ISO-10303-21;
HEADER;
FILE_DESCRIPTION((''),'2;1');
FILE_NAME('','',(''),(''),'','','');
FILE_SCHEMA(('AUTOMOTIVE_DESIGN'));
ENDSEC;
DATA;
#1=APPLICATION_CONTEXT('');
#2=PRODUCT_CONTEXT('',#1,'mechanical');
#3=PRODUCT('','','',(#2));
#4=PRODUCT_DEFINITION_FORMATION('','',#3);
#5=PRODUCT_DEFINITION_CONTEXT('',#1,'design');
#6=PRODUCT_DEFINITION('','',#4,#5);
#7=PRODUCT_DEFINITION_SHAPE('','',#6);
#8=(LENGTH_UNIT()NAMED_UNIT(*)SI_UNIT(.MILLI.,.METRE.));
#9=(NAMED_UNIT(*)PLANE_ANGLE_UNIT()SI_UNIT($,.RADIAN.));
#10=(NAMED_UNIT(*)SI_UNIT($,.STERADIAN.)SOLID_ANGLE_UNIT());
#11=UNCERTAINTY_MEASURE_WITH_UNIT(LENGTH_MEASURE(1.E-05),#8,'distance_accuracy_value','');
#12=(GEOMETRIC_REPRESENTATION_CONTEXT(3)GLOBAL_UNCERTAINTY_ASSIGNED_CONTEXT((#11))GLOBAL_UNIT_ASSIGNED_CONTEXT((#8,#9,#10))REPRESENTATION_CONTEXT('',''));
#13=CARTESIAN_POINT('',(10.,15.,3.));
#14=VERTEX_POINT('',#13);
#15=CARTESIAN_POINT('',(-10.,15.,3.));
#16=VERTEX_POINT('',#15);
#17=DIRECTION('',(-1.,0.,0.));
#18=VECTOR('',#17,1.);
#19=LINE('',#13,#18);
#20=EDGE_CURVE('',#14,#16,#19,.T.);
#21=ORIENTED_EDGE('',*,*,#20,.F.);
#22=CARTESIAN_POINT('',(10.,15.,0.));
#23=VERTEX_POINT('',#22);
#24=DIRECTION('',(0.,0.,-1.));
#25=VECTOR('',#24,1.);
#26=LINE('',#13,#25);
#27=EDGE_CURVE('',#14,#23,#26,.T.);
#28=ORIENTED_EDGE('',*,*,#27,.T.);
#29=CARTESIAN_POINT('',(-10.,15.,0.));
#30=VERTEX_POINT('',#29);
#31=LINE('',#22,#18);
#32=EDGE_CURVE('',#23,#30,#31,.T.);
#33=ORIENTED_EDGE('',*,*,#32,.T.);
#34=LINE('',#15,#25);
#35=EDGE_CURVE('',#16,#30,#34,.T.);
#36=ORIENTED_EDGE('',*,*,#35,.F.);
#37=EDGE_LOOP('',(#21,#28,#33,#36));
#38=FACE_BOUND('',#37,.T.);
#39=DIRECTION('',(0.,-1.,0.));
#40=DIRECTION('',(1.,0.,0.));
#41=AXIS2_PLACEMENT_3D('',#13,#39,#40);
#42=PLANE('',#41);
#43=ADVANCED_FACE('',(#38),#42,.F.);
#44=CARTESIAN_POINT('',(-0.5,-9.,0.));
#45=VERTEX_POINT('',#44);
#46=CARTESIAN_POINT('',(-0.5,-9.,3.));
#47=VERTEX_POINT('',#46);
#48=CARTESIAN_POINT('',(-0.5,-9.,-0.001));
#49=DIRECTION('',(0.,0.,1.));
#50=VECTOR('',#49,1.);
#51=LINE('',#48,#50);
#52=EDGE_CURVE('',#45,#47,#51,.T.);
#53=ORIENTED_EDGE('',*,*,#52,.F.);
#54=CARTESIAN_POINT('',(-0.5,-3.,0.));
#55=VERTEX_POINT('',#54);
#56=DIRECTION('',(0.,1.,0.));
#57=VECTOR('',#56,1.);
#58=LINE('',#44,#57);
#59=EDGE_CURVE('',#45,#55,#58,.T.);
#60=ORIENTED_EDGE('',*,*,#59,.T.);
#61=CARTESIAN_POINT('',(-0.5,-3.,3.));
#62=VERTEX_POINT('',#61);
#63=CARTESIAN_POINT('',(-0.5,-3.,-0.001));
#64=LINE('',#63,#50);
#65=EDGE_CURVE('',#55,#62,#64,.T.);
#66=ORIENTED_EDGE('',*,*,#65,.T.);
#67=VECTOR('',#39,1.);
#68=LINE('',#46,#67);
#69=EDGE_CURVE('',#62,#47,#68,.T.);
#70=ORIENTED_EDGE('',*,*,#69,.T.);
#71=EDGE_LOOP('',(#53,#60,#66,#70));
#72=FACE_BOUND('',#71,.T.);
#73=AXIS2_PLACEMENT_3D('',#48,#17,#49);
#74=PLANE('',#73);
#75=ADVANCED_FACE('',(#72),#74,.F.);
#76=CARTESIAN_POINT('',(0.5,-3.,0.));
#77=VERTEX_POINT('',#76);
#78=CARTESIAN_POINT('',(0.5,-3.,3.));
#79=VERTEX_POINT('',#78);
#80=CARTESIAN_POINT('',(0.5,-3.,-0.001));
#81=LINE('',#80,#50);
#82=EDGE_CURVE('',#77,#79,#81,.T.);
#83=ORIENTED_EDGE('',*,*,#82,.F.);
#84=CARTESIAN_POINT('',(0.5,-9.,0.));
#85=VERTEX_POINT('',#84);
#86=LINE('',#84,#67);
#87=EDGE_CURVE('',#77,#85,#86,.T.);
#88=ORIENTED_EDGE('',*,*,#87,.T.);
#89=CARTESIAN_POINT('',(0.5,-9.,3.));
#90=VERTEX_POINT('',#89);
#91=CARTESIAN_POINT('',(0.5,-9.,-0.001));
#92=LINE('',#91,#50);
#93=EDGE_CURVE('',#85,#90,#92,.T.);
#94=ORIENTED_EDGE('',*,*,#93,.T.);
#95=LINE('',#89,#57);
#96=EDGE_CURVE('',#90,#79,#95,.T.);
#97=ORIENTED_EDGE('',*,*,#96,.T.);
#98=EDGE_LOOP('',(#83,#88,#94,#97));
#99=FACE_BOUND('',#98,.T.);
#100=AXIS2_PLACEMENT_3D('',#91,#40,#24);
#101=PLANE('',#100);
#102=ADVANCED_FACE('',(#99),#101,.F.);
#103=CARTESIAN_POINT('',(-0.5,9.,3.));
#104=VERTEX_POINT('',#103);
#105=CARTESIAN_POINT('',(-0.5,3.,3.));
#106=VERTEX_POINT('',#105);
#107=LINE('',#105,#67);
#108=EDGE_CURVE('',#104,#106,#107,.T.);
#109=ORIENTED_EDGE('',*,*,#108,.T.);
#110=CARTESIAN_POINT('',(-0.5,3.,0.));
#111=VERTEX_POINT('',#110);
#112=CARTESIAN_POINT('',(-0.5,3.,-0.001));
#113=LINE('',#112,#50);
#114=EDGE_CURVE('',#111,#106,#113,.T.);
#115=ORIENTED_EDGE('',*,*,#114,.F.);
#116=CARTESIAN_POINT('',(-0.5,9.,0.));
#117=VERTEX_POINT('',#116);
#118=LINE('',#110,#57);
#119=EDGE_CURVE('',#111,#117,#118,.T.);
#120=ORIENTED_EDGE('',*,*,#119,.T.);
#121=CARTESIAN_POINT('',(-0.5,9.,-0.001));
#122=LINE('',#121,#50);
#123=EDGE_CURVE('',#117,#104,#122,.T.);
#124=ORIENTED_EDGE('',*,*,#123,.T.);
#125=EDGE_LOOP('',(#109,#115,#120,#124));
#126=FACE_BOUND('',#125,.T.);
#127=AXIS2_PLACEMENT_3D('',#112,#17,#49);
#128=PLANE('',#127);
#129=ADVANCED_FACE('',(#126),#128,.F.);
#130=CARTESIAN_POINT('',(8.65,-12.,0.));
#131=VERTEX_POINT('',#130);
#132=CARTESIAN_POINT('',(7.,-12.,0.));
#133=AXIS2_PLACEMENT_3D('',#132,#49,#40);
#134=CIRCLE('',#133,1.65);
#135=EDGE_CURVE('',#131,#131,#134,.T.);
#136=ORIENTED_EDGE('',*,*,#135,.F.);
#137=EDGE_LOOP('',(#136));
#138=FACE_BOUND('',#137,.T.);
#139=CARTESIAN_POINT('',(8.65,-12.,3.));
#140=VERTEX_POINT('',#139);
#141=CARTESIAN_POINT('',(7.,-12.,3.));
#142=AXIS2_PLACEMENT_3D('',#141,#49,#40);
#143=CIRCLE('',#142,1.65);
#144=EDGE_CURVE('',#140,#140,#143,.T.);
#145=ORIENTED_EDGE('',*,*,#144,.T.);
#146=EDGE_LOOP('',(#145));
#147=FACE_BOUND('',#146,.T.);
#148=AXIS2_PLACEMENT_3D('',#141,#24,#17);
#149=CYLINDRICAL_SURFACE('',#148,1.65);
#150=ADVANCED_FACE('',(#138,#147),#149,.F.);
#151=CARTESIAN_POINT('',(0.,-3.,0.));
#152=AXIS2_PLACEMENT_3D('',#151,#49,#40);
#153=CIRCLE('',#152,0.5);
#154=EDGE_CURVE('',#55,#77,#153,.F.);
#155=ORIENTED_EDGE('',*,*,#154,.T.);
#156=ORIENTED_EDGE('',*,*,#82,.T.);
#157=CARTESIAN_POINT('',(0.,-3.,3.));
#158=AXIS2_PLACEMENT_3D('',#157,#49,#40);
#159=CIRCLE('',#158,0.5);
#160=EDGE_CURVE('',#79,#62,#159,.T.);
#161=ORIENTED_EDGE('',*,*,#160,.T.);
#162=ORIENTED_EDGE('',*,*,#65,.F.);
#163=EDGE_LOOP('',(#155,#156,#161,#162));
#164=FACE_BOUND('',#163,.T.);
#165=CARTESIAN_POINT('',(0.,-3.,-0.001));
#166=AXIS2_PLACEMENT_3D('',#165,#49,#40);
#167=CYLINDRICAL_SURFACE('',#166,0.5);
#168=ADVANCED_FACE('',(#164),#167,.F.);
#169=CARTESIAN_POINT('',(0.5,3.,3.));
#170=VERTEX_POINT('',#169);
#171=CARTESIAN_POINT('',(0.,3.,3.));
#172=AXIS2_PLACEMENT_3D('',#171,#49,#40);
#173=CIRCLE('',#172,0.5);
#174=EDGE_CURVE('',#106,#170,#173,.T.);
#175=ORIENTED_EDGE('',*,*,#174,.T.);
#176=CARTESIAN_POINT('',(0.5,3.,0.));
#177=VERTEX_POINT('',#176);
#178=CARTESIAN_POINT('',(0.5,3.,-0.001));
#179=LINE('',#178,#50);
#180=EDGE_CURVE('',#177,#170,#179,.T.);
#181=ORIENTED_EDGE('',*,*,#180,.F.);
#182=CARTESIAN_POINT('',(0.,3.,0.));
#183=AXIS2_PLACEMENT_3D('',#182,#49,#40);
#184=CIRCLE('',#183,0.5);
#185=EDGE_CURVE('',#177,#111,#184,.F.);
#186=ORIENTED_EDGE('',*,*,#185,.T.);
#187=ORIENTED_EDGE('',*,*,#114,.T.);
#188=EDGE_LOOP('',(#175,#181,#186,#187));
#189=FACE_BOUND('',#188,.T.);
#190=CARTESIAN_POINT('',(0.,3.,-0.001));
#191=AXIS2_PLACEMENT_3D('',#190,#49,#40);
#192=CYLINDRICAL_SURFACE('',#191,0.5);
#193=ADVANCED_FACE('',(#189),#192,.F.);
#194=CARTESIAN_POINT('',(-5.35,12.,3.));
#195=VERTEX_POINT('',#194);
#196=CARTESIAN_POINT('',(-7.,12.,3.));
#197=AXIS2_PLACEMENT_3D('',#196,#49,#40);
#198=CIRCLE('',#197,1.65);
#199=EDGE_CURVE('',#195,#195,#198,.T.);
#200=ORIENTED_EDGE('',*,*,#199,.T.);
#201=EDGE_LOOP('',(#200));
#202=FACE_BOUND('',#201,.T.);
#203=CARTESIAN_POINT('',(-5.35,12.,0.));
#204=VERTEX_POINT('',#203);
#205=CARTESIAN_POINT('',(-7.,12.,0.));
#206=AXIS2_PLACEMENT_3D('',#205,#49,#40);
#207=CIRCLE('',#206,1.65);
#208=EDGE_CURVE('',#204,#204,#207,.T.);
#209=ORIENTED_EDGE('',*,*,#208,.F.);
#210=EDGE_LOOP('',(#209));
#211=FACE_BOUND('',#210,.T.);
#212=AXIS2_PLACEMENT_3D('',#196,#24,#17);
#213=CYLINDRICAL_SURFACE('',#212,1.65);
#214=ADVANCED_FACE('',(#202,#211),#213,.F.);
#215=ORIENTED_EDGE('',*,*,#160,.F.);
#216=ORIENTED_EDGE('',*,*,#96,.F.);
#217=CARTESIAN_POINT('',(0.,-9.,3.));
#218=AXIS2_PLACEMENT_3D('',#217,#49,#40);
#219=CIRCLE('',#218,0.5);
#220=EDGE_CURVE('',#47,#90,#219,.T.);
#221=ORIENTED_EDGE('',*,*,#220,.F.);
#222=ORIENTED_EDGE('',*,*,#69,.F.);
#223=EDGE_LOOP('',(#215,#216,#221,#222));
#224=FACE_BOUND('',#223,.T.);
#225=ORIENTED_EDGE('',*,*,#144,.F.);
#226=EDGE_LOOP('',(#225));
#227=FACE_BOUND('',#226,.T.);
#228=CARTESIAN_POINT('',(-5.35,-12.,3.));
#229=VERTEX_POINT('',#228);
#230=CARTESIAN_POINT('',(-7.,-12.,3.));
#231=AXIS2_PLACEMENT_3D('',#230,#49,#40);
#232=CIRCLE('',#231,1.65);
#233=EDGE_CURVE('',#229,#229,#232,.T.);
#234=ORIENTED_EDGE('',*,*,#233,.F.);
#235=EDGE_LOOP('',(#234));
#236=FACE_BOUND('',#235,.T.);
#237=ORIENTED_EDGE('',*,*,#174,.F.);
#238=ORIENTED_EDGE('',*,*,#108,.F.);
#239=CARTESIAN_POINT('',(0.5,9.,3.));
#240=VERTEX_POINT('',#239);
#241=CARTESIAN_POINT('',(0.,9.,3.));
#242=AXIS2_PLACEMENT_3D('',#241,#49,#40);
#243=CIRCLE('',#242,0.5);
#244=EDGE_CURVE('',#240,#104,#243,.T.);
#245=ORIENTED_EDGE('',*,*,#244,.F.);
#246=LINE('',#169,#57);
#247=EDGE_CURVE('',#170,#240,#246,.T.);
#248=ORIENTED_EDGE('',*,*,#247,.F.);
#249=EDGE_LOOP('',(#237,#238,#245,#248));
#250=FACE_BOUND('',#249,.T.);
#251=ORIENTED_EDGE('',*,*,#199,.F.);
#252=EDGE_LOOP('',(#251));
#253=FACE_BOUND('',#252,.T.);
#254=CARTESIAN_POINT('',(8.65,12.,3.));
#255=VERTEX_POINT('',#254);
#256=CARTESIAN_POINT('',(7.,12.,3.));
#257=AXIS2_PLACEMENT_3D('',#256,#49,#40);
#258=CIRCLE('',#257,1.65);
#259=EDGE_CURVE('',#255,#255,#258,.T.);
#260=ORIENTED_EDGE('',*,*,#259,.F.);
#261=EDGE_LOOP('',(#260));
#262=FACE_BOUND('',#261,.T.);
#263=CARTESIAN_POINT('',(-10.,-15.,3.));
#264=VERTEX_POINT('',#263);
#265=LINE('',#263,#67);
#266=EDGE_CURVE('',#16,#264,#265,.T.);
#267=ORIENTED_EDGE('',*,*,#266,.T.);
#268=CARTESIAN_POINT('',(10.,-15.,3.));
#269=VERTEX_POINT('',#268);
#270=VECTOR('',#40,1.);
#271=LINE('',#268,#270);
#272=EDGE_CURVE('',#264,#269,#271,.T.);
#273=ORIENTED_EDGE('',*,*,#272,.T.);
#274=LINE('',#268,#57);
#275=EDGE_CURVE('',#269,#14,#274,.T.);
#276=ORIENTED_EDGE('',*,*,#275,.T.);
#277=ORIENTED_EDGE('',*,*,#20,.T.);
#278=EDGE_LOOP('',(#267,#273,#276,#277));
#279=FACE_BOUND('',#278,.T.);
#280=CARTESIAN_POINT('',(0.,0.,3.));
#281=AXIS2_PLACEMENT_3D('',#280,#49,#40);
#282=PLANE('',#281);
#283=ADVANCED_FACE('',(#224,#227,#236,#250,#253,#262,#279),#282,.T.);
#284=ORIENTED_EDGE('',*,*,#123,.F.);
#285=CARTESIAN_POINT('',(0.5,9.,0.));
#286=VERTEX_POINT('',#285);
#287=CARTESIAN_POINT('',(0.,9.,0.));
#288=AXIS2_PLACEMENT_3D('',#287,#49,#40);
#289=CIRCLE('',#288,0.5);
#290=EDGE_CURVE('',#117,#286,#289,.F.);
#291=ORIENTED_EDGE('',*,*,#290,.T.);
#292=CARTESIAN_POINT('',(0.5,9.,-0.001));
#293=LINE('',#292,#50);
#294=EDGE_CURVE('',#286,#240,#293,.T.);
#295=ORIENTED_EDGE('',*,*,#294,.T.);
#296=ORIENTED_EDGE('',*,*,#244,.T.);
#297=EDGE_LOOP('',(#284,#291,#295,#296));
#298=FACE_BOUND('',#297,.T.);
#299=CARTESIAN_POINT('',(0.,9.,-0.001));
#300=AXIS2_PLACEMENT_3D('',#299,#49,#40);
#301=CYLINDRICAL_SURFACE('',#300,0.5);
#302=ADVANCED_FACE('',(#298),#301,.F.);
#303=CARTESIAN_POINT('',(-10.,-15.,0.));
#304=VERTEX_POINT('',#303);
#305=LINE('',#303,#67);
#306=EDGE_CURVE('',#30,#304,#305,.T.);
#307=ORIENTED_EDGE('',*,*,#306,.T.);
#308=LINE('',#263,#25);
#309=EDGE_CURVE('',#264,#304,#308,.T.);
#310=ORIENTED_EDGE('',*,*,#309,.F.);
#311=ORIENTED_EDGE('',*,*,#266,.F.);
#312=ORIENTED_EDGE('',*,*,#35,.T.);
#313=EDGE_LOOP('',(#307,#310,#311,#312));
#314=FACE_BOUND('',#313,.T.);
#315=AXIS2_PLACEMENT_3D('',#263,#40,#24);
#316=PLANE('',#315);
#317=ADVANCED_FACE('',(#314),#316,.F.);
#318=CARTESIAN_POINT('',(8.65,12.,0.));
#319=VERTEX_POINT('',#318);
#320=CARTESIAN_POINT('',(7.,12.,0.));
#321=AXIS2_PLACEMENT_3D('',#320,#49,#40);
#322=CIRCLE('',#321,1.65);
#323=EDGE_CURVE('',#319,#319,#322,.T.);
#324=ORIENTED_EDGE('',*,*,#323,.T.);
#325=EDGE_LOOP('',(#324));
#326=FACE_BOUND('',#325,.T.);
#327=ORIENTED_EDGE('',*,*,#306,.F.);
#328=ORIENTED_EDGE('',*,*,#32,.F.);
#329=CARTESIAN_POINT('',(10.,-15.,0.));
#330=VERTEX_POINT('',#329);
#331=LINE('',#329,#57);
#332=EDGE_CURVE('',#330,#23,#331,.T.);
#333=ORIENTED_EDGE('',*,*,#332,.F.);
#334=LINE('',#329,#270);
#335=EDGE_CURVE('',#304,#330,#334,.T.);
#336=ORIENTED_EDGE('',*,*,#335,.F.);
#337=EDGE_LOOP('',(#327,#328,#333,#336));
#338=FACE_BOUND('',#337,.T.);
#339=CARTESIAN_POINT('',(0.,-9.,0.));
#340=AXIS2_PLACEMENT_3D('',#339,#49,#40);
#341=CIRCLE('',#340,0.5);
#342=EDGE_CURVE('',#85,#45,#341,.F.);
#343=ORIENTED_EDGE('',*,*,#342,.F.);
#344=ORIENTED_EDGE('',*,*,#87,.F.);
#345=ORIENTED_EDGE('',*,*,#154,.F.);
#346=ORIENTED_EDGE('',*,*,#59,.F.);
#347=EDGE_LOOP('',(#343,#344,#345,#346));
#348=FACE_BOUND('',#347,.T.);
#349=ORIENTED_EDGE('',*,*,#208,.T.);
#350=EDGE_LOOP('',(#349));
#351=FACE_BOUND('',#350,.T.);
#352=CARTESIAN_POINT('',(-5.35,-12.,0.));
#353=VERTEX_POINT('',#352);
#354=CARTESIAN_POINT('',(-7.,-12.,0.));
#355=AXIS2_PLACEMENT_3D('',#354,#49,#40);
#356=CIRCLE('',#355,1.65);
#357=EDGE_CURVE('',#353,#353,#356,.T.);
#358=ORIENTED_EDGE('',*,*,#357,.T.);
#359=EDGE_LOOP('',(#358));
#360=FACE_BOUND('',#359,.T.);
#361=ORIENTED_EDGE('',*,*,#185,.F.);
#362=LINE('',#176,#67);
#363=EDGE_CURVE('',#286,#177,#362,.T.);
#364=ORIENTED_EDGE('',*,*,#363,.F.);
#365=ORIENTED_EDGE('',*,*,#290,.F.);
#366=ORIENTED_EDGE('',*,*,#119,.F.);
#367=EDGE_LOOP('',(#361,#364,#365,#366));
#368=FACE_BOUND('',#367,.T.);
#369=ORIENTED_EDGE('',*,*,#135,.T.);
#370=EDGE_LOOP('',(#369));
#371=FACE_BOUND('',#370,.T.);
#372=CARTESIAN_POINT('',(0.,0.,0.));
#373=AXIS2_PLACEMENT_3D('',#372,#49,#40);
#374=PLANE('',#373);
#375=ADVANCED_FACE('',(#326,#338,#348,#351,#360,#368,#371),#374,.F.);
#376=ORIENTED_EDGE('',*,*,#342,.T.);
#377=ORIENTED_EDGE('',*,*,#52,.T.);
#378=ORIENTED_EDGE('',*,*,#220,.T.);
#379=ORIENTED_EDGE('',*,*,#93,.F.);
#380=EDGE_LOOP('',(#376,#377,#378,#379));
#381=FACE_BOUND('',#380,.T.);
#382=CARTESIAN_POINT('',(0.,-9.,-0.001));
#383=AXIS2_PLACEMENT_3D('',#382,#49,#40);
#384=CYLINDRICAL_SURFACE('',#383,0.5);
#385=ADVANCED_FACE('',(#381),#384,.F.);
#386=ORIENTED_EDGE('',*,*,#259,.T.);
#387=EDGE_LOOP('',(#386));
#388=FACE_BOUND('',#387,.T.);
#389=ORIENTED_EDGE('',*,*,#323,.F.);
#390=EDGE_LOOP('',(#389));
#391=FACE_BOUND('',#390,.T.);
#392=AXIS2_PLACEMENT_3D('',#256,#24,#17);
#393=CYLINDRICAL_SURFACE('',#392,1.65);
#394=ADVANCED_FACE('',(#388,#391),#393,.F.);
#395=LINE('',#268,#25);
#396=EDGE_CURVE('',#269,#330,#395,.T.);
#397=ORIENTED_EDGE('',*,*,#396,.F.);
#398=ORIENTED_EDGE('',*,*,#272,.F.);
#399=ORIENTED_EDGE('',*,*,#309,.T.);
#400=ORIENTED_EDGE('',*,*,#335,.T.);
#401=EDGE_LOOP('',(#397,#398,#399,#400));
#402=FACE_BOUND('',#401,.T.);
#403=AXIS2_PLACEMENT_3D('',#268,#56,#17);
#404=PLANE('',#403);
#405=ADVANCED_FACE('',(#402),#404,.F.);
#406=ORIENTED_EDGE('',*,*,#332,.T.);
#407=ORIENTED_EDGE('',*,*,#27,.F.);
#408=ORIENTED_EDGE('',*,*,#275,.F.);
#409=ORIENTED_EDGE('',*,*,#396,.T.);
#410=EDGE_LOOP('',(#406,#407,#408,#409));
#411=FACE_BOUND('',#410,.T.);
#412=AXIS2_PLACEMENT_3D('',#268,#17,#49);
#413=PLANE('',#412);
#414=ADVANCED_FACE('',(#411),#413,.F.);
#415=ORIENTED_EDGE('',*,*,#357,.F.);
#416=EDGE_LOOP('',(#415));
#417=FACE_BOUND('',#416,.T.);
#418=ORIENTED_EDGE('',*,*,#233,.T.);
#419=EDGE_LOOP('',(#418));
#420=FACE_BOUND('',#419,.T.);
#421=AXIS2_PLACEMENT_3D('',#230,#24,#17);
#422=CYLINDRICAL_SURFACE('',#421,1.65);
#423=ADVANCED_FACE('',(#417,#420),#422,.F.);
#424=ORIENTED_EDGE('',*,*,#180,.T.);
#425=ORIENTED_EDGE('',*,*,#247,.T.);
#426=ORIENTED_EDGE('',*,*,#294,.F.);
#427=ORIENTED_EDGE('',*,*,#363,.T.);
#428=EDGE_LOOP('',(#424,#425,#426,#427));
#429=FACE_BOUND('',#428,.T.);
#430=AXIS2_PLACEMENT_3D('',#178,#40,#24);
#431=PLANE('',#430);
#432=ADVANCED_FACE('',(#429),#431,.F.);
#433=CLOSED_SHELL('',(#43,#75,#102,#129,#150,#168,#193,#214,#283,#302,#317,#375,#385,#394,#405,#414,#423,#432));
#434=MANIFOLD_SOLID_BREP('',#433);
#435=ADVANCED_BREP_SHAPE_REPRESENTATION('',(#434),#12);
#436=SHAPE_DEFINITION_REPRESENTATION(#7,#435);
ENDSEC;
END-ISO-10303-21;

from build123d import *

# Parameters (mm, degrees)
CROQUIS1_W              = 20
CROQUIS1_H              = 30
CROQUIS1_R              = 1.65
SALIENTE_EXTRUIR1_DEPTH = 3
CORTAR_EXTRUIR1_REACH   = 5


with BuildPart() as part:
    # Croquis1 → Saliente-Extruir1 (new body)
    with BuildSketch(Plane.XY):
        Rectangle(CROQUIS1_W, CROQUIS1_H)
        with Locations((-7, 12)):
            Circle(CROQUIS1_R, mode=Mode.SUBTRACT)
        with Locations((7, 12)):
            Circle(CROQUIS1_R, mode=Mode.SUBTRACT)
        with Locations((7, -12)):
            Circle(CROQUIS1_R, mode=Mode.SUBTRACT)
        with Locations((-7, -12)):
            Circle(CROQUIS1_R, mode=Mode.SUBTRACT)
    extrude(amount=SALIENTE_EXTRUIR1_DEPTH)

    # Croquis2 → Cortar-Extruir1 (cut, up to next)
    with BuildSketch(Plane.XY.offset(3), mode=Mode.PRIVATE) as cortar_extruir1_sk1:
        with BuildLine():
            Line((-0.5, -9), (-0.5, -3))
            ThreePointArc((-0.5, -3), (0, -2.5), (0.5, -3))
            Line((0.5, -3), (0.5, -9))
            ThreePointArc((0.5, -9), (0, -9.5), (-0.5, -9))
        make_face()
    cortar_extruir1_tool1 = extrude(cortar_extruir1_sk1.sketch, amount=-CORTAR_EXTRUIR1_REACH, mode=Mode.PRIVATE) & part.part
    add(cortar_extruir1_tool1.solids().sort_by_distance((0, -6, 3))[0], mode=Mode.SUBTRACT)
    # Croquis2 → Cortar-Extruir1 (cut, up to next)
    with BuildSketch(Plane.XY.offset(3), mode=Mode.PRIVATE) as cortar_extruir1_sk2:
        with BuildLine():
            Line((-0.5, 3), (-0.5, 9))
            ThreePointArc((-0.5, 9), (0, 9.5), (0.5, 9))
            Line((0.5, 9), (0.5, 3))
            ThreePointArc((0.5, 3), (0, 2.5), (-0.5, 3))
        make_face()
    cortar_extruir1_tool2 = extrude(cortar_extruir1_sk2.sketch, amount=-CORTAR_EXTRUIR1_REACH, mode=Mode.PRIVATE) & part.part
    add(cortar_extruir1_tool2.solids().sort_by_distance((0, 6, 3))[0], mode=Mode.SUBTRACT)


solid = part.part
